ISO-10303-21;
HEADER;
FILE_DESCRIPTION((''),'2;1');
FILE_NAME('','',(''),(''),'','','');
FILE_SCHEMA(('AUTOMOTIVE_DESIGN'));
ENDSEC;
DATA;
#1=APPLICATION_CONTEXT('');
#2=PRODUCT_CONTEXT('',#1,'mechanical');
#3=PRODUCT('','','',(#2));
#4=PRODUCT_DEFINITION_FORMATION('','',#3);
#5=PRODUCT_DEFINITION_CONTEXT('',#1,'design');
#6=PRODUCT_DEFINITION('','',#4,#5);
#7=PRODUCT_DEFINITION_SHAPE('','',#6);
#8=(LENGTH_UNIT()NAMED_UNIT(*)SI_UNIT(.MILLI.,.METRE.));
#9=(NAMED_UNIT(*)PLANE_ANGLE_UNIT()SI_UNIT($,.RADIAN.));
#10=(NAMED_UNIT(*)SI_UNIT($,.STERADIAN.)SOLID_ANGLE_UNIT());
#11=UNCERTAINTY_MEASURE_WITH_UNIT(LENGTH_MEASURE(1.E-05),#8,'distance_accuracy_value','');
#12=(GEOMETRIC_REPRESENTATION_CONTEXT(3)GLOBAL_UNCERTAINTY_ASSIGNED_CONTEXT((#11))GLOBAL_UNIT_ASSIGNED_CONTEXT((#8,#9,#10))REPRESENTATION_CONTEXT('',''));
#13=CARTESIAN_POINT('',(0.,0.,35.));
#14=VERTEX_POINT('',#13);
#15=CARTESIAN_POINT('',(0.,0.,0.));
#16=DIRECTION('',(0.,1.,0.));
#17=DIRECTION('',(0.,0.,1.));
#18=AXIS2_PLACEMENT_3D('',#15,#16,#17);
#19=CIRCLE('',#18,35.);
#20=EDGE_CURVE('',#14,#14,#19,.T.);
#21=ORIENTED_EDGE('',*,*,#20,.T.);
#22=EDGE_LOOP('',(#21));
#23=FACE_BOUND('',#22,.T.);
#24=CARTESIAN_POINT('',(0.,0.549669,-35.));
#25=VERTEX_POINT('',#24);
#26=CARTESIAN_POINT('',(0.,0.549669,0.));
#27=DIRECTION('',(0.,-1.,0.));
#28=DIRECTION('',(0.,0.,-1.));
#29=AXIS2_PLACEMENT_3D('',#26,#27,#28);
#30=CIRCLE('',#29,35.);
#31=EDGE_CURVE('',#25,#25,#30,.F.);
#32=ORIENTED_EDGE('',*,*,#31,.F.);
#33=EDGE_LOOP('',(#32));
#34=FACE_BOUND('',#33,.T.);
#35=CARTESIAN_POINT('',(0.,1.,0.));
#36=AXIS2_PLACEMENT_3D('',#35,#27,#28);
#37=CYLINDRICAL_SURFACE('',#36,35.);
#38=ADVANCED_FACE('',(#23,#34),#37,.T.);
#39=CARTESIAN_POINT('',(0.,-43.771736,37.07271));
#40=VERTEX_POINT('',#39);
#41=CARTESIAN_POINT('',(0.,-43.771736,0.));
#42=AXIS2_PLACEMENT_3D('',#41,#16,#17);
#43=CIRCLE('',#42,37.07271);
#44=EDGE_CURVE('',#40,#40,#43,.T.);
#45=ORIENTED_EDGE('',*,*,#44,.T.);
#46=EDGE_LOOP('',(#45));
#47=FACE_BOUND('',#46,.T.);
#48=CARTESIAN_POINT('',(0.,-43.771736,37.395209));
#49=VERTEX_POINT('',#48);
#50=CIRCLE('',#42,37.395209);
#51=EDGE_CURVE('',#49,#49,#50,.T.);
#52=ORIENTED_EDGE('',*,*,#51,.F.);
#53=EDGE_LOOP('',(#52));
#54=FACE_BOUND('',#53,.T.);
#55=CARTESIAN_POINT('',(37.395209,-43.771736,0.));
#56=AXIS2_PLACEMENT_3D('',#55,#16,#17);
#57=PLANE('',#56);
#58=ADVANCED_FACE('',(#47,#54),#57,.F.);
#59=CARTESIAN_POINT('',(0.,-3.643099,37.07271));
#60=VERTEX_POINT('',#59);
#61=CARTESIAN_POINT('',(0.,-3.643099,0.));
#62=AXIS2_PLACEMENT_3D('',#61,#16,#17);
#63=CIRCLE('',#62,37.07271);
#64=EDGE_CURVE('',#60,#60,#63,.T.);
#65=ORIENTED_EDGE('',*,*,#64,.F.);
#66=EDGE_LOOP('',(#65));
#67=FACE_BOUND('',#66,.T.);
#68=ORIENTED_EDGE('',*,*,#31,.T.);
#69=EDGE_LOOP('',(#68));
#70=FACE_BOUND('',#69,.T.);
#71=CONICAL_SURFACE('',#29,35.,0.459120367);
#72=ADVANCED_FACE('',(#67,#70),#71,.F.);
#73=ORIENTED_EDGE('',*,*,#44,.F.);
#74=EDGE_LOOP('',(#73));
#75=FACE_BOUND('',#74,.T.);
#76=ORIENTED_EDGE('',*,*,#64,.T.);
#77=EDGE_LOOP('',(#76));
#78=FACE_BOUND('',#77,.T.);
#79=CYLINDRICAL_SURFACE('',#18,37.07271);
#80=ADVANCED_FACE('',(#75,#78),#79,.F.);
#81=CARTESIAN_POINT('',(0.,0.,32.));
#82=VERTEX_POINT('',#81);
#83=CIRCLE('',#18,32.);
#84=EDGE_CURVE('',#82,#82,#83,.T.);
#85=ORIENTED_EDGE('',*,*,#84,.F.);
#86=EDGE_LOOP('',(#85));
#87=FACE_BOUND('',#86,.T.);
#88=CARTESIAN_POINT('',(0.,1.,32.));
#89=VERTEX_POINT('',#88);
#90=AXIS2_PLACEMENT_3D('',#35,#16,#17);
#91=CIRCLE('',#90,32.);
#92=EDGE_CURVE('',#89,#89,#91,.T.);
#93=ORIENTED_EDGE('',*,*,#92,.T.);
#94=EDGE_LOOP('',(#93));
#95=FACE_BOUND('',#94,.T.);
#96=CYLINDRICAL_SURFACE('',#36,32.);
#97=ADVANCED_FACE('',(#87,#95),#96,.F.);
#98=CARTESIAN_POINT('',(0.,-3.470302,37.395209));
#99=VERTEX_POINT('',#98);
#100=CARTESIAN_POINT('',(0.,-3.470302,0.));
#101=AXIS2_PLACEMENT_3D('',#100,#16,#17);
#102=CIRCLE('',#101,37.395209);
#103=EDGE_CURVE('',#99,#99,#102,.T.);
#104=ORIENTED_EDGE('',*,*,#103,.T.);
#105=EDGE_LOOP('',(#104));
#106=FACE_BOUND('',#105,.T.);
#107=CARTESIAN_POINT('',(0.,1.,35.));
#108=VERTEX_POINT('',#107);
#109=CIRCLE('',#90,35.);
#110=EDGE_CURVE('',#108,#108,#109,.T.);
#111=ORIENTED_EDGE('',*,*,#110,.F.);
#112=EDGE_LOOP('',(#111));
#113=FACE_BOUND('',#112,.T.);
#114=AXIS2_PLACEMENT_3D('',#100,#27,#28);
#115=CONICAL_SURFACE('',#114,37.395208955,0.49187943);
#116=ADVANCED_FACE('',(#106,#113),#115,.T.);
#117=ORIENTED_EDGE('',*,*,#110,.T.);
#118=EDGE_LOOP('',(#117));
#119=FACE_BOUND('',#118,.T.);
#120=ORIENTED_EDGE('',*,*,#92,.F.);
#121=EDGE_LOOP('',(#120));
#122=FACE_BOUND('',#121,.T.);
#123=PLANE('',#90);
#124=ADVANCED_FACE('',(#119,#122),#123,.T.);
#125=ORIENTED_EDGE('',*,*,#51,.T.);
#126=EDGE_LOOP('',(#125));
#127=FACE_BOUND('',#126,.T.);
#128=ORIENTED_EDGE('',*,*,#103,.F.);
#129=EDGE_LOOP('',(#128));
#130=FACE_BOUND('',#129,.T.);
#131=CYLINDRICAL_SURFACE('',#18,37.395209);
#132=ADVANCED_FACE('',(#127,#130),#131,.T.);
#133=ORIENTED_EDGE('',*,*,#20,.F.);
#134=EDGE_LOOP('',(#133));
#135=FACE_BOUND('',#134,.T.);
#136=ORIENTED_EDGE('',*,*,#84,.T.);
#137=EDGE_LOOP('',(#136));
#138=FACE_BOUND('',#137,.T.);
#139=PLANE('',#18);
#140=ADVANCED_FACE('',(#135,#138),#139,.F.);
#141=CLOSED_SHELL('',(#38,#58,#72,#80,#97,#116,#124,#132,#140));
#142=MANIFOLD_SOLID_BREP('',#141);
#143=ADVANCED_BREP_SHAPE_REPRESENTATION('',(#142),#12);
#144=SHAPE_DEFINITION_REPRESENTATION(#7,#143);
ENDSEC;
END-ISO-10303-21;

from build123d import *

# Parameters (mm, degrees)
SKETCH_1_R      = 35
SKETCH_1_R_2    = 32
EXTRUDE_1_DEPTH = 1


with BuildPart() as part:
    # 草图1 → 凸台-拉伸1 (new body)
    with BuildSketch(Plane(origin=(0, 0, 0), x_dir=(1, 0, 0), z_dir=(0, 1, 0))):
        Circle(SKETCH_1_R)
        Circle(SKETCH_1_R_2, mode=Mode.SUBTRACT)
    extrude(amount=EXTRUDE_1_DEPTH)

    # 草图2 → 旋转1 (revolve)
    with BuildSketch(Plane.XY):
        Polygon((35, 1), (37.395208955, -3.470302207), (37.395208955, -43.771735553), (37.072710077, -43.771735553), (37.072710077, -3.643098623), (35, 0.549668864), align=None)
    revolve(axis=Axis((0, 0, 0), (0, -1, 0)))


solid = part.part
